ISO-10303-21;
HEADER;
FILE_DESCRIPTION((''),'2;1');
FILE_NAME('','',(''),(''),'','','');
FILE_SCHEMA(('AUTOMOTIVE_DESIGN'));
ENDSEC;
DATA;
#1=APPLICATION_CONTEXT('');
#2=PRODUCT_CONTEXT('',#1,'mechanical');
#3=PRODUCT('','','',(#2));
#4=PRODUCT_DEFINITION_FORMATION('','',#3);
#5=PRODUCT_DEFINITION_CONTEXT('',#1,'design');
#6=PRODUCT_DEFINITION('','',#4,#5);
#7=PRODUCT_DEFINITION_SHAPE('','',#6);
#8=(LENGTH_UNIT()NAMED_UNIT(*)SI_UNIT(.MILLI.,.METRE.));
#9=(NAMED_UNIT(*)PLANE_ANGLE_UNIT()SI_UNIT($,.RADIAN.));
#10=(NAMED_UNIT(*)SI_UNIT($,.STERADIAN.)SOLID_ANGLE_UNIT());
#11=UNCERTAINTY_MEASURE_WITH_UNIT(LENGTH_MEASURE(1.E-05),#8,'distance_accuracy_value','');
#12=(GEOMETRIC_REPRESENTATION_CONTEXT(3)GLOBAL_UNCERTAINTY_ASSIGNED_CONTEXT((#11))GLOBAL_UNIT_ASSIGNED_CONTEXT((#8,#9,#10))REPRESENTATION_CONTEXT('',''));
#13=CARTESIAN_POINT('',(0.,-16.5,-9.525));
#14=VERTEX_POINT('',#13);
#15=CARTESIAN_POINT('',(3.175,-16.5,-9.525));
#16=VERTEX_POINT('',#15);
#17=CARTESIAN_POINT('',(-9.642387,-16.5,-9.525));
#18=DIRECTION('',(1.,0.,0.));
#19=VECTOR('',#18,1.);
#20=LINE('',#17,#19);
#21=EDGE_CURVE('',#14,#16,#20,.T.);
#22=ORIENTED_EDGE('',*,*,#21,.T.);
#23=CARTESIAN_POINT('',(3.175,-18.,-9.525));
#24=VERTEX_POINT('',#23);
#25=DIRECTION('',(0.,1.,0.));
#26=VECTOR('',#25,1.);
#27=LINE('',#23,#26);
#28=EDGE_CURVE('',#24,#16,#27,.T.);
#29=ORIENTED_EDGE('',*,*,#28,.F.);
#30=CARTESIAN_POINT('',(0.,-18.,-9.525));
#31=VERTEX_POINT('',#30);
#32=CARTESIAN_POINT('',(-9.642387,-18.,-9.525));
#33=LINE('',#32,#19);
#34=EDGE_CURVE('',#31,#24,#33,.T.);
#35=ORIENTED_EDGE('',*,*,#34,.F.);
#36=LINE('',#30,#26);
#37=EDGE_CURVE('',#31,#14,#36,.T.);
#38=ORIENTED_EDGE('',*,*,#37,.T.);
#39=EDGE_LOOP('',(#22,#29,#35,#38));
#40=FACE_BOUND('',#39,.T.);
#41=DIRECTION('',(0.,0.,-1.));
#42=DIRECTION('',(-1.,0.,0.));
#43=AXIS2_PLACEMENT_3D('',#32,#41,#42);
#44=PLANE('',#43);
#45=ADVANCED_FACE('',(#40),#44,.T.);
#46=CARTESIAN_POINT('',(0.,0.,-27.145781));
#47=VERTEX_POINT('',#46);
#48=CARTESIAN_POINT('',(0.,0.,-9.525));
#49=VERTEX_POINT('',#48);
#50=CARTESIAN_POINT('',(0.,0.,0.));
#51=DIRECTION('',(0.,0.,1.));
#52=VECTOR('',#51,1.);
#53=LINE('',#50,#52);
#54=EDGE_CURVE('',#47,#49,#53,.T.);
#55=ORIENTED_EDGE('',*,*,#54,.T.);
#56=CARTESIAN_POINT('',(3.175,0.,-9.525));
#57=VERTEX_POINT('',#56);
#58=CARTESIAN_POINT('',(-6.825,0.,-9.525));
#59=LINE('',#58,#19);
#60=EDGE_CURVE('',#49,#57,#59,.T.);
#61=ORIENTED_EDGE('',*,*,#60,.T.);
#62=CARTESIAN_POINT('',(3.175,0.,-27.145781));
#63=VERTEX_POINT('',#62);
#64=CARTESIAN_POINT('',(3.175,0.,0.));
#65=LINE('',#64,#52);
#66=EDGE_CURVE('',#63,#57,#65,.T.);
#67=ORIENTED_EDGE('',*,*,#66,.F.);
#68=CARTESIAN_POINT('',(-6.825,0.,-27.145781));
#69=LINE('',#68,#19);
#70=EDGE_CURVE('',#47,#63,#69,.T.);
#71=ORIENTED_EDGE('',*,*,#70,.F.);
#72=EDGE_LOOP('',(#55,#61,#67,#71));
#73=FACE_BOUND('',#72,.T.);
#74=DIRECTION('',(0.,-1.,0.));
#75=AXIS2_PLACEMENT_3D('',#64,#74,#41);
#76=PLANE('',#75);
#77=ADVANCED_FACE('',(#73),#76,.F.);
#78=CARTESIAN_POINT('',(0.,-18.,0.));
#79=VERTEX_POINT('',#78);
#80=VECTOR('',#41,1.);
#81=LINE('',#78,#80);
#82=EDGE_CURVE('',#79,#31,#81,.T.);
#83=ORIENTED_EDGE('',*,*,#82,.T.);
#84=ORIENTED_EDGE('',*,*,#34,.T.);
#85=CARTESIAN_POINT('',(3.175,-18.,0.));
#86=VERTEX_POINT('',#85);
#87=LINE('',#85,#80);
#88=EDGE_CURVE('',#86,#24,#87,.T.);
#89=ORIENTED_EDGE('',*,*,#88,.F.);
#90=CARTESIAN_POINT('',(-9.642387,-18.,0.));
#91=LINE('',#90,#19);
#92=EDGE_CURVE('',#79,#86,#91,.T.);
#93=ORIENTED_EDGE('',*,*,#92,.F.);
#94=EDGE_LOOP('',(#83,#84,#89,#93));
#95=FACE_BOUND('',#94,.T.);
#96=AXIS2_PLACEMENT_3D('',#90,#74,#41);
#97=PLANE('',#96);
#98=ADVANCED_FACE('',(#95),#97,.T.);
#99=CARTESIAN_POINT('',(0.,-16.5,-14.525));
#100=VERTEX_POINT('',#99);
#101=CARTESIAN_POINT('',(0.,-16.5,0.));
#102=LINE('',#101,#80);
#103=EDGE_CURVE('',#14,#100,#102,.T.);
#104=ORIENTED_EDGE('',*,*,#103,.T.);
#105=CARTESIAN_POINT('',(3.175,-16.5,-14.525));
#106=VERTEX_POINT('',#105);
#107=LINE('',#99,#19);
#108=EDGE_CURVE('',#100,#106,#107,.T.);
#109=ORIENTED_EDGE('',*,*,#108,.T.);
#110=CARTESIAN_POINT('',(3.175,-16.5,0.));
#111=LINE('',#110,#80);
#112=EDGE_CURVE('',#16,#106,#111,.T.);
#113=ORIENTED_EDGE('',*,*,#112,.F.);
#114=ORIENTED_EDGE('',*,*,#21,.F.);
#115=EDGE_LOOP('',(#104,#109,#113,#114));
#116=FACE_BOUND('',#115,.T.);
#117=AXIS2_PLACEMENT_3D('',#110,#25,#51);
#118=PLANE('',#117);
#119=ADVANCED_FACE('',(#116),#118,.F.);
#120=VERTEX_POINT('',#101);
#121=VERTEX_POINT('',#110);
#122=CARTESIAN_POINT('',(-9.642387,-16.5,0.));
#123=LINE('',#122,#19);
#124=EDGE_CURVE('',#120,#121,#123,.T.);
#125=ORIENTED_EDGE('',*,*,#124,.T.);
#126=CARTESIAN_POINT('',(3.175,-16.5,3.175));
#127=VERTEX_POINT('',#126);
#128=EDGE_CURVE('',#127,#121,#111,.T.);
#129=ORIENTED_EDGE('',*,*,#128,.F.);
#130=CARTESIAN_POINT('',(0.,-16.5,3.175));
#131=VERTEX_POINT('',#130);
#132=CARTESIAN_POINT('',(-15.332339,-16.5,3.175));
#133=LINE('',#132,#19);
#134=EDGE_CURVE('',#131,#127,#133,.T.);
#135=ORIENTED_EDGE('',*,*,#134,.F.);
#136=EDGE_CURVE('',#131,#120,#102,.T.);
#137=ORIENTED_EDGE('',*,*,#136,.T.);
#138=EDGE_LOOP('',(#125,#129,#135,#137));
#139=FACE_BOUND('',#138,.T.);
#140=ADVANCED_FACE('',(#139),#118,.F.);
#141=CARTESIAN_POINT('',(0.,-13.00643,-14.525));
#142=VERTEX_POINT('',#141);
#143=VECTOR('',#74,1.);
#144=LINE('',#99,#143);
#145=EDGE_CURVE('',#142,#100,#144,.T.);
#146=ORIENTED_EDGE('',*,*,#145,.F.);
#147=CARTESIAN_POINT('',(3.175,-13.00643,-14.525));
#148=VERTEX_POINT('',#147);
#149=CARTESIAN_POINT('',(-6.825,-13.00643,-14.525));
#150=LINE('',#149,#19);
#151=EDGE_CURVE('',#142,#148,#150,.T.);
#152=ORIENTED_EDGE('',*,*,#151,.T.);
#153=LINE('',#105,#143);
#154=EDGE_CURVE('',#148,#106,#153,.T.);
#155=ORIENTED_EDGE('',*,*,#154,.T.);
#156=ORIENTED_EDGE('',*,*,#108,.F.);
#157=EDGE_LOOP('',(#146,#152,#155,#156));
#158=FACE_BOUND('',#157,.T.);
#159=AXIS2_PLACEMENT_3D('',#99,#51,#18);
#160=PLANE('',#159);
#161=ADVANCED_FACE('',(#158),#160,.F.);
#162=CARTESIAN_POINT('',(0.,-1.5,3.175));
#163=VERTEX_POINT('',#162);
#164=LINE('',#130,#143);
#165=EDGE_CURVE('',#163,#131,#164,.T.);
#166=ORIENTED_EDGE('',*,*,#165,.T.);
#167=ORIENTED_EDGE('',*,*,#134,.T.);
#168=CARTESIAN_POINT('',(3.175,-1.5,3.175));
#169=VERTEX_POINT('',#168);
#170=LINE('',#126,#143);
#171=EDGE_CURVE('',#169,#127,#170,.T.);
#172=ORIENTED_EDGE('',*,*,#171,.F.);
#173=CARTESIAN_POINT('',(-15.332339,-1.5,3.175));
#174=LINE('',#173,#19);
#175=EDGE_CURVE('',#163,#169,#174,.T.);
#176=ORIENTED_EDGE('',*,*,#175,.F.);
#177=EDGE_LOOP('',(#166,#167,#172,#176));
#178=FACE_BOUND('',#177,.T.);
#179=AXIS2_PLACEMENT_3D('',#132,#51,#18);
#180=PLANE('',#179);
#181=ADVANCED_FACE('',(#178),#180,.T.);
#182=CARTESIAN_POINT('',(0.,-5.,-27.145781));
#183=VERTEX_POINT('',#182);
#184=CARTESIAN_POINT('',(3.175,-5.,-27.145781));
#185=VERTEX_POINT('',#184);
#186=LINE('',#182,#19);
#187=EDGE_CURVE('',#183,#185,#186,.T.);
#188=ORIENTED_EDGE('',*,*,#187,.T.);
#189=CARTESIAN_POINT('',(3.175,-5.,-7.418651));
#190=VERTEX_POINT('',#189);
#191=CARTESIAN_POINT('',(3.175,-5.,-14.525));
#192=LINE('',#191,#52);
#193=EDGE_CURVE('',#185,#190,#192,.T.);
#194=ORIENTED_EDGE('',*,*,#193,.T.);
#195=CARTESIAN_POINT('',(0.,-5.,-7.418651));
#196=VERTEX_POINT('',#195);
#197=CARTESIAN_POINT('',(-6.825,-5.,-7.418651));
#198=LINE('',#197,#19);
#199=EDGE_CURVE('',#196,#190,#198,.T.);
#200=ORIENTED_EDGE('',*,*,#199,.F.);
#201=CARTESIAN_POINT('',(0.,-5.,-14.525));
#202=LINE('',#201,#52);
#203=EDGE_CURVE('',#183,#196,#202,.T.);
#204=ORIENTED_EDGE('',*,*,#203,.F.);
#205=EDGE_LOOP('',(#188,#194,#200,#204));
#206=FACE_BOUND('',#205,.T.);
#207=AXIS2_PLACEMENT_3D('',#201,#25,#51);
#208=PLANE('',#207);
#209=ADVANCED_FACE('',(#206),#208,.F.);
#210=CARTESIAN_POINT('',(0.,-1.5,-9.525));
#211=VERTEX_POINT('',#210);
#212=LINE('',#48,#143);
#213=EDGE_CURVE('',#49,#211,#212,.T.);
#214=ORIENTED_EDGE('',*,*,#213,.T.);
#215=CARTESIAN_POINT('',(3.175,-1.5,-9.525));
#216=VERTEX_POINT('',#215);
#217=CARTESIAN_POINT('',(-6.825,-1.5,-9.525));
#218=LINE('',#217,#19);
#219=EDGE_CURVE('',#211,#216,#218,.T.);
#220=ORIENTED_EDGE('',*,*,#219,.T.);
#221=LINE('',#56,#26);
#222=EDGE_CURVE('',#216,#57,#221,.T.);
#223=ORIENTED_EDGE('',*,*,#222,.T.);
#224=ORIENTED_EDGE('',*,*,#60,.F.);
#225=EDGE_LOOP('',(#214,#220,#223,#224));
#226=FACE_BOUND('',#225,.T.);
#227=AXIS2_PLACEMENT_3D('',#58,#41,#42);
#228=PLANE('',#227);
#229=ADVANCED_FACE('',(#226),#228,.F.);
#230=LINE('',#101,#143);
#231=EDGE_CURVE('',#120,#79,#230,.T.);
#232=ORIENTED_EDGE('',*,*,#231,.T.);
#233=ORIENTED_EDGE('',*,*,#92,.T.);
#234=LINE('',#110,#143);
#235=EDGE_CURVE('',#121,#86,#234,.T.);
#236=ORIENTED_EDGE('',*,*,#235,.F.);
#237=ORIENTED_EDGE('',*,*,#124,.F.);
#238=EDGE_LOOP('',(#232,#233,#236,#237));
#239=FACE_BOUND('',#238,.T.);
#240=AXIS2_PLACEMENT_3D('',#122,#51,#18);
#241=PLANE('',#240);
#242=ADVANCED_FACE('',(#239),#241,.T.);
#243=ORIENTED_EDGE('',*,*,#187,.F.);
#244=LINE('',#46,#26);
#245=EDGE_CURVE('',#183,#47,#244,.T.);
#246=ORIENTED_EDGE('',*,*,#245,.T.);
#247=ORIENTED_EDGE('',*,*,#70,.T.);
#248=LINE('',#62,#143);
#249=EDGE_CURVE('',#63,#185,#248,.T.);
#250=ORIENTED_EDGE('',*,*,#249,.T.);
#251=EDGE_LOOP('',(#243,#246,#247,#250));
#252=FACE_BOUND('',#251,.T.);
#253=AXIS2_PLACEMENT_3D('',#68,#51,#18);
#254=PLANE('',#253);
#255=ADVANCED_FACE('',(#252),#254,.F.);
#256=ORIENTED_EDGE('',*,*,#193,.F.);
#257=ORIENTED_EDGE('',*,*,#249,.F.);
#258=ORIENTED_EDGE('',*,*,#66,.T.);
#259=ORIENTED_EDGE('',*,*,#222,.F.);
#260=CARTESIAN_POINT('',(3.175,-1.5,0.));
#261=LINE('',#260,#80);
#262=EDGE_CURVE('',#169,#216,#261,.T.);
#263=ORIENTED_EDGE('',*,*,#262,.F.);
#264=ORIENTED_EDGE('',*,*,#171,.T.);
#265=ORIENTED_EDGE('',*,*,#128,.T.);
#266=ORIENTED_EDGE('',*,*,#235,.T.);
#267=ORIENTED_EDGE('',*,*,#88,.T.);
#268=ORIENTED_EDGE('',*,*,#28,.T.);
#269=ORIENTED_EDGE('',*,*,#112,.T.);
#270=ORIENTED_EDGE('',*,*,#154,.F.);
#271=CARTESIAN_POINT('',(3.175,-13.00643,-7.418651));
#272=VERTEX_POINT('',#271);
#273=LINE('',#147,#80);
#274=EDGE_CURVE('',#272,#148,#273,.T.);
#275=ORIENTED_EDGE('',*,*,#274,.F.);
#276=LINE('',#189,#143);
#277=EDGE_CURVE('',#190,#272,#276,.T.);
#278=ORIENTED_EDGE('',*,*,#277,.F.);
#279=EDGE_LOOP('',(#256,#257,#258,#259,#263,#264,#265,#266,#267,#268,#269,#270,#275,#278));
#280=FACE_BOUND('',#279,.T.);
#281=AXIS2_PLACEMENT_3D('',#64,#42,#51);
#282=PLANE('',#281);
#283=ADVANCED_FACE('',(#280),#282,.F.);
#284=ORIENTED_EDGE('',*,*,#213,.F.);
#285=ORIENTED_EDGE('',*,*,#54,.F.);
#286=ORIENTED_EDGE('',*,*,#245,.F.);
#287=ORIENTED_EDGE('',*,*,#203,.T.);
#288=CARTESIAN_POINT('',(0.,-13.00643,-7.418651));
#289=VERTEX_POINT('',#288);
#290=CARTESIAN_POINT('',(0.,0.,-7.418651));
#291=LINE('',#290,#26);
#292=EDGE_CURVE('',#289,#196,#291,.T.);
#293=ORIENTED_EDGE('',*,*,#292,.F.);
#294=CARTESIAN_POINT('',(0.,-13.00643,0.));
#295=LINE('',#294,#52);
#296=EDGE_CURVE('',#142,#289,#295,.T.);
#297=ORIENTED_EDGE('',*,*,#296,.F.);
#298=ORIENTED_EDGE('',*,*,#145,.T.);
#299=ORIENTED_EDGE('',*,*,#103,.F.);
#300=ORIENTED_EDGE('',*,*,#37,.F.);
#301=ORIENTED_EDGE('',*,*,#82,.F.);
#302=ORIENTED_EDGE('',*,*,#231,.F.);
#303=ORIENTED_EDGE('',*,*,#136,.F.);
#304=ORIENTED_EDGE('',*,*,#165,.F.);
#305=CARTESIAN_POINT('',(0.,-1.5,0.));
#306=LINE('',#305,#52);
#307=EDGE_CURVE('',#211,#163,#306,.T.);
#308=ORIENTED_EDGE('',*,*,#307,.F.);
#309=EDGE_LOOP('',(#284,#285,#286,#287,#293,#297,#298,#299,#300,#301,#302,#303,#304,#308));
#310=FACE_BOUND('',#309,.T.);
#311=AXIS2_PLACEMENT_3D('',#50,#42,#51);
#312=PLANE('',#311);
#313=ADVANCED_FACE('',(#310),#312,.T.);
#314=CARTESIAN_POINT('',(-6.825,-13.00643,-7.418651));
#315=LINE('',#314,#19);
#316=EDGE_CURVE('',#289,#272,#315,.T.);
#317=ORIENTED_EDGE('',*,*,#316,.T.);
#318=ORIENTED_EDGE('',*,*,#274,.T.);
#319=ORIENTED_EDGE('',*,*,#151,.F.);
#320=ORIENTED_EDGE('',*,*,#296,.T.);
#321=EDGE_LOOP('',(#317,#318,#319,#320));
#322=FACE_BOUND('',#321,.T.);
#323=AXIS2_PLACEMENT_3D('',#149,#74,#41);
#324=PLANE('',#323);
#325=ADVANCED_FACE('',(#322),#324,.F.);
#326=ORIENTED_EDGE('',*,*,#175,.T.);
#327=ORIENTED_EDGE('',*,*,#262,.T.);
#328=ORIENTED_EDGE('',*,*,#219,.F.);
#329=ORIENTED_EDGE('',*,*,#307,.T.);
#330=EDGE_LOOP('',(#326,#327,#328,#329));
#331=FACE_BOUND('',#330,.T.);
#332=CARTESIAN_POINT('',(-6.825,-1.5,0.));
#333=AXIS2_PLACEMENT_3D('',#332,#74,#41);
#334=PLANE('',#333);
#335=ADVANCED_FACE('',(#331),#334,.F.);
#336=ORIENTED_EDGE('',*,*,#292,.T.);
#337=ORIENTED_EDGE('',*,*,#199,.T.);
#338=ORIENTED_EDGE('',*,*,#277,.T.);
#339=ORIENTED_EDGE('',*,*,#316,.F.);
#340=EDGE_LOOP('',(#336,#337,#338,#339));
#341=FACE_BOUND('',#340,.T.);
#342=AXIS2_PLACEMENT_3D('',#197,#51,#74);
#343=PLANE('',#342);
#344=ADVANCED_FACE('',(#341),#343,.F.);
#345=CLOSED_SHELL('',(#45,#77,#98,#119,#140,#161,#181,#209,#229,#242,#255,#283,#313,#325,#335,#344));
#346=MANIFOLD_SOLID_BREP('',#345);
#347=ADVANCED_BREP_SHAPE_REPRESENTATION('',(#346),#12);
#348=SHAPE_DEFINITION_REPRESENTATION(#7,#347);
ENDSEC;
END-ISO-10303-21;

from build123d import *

# Parameters (mm, degrees)
SKETCH1_W           = 16.5
SKETCH1_H           = 43
BOSS_EXTRUDE1_DEPTH = 3.175
SKETCH2_W           = 9.525
SKETCH2_H           = 1.5
CUT_EXTRUDE1_DEPTH  = 10
SKETCH3_W           = 28.475
SKETCH3_H           = 11.5
CUT_EXTRUDE2_DEPTH  = 4.175
SKETCH5_W           = 3.175
SKETCH5_H           = 15
BOSS_EXTRUDE2_DEPTH = 3.175
SKETCH6_W           = 15.854218726
SKETCH6_H           = 5
SKETCH6_W_2         = 7.106349473
SKETCH6_H_2         = 8.006430413
CUT_EXTRUDE4_DEPTH  = 10
SKETCH7_W           = 9.525
SKETCH7_H           = 1.5
BOSS_EXTRUDE3_DEPTH = 3.175


with BuildPart() as part:
    # Sketch1 → Boss-Extrude1 (new body)
    with BuildSketch(Plane(origin=(0, 0, 0), x_dir=(0, -1, 0), z_dir=(1, 0, 0))):
        with Locations((8.25, 21.5)):
            Rectangle(SKETCH1_W, SKETCH1_H)
    extrude(amount=BOSS_EXTRUDE1_DEPTH)

    # Sketch2 → Cut-Extrude1 (cut)
    with BuildSketch(Plane(origin=(3.175, 0, 0), x_dir=(0, 0, -1), z_dir=(1, 0, 0))):
        with Locations((4.7625, -0.75)):
            Rectangle(SKETCH2_W, SKETCH2_H)
    extrude(amount=-CUT_EXTRUDE1_DEPTH, mode=Mode.SUBTRACT)

    # Sketch3 → Cut-Extrude2 (cut, through all)
    with BuildSketch(Plane(origin=(3.175, 0, 0), x_dir=(0, 0, -1), z_dir=(1, 0, 0))):
        with Locations((28.7625, -10.75)):
            Rectangle(SKETCH3_W, SKETCH3_H)
    extrude(amount=-CUT_EXTRUDE2_DEPTH, mode=Mode.SUBTRACT)

    # Sketch5 → Boss-Extrude2 (add)
    with BuildSketch(Plane(origin=(3.175, 0, 0), x_dir=(0, 0, -1), z_dir=(1, 0, 0))):
        with Locations((-1.5875, -9)):
            Rectangle(SKETCH5_W, SKETCH5_H)
    extrude(amount=-BOSS_EXTRUDE2_DEPTH)

    # Sketch6 → Cut-Extrude4 (cut)
    with BuildSketch(Plane(origin=(3.175, 0, 0), x_dir=(0, 0, -1), z_dir=(1, 0, 0))):
        with Locations((35.072890637, -2.5)):
            Rectangle(SKETCH6_W, SKETCH6_H)
        with Locations((10.971825264, -9.003215207)):
            Rectangle(SKETCH6_W_2, SKETCH6_H_2)
    extrude(amount=-CUT_EXTRUDE4_DEPTH, mode=Mode.SUBTRACT)

    # Sketch7 → Boss-Extrude3 (add)
    with BuildSketch(Plane(origin=(3.175, 0, 0), x_dir=(0, 0, -1), z_dir=(1, 0, 0))):
        with Locations((4.7625, -17.25)):
            Rectangle(SKETCH7_W, SKETCH7_H)
    extrude(amount=-BOSS_EXTRUDE3_DEPTH)


solid = part.part
